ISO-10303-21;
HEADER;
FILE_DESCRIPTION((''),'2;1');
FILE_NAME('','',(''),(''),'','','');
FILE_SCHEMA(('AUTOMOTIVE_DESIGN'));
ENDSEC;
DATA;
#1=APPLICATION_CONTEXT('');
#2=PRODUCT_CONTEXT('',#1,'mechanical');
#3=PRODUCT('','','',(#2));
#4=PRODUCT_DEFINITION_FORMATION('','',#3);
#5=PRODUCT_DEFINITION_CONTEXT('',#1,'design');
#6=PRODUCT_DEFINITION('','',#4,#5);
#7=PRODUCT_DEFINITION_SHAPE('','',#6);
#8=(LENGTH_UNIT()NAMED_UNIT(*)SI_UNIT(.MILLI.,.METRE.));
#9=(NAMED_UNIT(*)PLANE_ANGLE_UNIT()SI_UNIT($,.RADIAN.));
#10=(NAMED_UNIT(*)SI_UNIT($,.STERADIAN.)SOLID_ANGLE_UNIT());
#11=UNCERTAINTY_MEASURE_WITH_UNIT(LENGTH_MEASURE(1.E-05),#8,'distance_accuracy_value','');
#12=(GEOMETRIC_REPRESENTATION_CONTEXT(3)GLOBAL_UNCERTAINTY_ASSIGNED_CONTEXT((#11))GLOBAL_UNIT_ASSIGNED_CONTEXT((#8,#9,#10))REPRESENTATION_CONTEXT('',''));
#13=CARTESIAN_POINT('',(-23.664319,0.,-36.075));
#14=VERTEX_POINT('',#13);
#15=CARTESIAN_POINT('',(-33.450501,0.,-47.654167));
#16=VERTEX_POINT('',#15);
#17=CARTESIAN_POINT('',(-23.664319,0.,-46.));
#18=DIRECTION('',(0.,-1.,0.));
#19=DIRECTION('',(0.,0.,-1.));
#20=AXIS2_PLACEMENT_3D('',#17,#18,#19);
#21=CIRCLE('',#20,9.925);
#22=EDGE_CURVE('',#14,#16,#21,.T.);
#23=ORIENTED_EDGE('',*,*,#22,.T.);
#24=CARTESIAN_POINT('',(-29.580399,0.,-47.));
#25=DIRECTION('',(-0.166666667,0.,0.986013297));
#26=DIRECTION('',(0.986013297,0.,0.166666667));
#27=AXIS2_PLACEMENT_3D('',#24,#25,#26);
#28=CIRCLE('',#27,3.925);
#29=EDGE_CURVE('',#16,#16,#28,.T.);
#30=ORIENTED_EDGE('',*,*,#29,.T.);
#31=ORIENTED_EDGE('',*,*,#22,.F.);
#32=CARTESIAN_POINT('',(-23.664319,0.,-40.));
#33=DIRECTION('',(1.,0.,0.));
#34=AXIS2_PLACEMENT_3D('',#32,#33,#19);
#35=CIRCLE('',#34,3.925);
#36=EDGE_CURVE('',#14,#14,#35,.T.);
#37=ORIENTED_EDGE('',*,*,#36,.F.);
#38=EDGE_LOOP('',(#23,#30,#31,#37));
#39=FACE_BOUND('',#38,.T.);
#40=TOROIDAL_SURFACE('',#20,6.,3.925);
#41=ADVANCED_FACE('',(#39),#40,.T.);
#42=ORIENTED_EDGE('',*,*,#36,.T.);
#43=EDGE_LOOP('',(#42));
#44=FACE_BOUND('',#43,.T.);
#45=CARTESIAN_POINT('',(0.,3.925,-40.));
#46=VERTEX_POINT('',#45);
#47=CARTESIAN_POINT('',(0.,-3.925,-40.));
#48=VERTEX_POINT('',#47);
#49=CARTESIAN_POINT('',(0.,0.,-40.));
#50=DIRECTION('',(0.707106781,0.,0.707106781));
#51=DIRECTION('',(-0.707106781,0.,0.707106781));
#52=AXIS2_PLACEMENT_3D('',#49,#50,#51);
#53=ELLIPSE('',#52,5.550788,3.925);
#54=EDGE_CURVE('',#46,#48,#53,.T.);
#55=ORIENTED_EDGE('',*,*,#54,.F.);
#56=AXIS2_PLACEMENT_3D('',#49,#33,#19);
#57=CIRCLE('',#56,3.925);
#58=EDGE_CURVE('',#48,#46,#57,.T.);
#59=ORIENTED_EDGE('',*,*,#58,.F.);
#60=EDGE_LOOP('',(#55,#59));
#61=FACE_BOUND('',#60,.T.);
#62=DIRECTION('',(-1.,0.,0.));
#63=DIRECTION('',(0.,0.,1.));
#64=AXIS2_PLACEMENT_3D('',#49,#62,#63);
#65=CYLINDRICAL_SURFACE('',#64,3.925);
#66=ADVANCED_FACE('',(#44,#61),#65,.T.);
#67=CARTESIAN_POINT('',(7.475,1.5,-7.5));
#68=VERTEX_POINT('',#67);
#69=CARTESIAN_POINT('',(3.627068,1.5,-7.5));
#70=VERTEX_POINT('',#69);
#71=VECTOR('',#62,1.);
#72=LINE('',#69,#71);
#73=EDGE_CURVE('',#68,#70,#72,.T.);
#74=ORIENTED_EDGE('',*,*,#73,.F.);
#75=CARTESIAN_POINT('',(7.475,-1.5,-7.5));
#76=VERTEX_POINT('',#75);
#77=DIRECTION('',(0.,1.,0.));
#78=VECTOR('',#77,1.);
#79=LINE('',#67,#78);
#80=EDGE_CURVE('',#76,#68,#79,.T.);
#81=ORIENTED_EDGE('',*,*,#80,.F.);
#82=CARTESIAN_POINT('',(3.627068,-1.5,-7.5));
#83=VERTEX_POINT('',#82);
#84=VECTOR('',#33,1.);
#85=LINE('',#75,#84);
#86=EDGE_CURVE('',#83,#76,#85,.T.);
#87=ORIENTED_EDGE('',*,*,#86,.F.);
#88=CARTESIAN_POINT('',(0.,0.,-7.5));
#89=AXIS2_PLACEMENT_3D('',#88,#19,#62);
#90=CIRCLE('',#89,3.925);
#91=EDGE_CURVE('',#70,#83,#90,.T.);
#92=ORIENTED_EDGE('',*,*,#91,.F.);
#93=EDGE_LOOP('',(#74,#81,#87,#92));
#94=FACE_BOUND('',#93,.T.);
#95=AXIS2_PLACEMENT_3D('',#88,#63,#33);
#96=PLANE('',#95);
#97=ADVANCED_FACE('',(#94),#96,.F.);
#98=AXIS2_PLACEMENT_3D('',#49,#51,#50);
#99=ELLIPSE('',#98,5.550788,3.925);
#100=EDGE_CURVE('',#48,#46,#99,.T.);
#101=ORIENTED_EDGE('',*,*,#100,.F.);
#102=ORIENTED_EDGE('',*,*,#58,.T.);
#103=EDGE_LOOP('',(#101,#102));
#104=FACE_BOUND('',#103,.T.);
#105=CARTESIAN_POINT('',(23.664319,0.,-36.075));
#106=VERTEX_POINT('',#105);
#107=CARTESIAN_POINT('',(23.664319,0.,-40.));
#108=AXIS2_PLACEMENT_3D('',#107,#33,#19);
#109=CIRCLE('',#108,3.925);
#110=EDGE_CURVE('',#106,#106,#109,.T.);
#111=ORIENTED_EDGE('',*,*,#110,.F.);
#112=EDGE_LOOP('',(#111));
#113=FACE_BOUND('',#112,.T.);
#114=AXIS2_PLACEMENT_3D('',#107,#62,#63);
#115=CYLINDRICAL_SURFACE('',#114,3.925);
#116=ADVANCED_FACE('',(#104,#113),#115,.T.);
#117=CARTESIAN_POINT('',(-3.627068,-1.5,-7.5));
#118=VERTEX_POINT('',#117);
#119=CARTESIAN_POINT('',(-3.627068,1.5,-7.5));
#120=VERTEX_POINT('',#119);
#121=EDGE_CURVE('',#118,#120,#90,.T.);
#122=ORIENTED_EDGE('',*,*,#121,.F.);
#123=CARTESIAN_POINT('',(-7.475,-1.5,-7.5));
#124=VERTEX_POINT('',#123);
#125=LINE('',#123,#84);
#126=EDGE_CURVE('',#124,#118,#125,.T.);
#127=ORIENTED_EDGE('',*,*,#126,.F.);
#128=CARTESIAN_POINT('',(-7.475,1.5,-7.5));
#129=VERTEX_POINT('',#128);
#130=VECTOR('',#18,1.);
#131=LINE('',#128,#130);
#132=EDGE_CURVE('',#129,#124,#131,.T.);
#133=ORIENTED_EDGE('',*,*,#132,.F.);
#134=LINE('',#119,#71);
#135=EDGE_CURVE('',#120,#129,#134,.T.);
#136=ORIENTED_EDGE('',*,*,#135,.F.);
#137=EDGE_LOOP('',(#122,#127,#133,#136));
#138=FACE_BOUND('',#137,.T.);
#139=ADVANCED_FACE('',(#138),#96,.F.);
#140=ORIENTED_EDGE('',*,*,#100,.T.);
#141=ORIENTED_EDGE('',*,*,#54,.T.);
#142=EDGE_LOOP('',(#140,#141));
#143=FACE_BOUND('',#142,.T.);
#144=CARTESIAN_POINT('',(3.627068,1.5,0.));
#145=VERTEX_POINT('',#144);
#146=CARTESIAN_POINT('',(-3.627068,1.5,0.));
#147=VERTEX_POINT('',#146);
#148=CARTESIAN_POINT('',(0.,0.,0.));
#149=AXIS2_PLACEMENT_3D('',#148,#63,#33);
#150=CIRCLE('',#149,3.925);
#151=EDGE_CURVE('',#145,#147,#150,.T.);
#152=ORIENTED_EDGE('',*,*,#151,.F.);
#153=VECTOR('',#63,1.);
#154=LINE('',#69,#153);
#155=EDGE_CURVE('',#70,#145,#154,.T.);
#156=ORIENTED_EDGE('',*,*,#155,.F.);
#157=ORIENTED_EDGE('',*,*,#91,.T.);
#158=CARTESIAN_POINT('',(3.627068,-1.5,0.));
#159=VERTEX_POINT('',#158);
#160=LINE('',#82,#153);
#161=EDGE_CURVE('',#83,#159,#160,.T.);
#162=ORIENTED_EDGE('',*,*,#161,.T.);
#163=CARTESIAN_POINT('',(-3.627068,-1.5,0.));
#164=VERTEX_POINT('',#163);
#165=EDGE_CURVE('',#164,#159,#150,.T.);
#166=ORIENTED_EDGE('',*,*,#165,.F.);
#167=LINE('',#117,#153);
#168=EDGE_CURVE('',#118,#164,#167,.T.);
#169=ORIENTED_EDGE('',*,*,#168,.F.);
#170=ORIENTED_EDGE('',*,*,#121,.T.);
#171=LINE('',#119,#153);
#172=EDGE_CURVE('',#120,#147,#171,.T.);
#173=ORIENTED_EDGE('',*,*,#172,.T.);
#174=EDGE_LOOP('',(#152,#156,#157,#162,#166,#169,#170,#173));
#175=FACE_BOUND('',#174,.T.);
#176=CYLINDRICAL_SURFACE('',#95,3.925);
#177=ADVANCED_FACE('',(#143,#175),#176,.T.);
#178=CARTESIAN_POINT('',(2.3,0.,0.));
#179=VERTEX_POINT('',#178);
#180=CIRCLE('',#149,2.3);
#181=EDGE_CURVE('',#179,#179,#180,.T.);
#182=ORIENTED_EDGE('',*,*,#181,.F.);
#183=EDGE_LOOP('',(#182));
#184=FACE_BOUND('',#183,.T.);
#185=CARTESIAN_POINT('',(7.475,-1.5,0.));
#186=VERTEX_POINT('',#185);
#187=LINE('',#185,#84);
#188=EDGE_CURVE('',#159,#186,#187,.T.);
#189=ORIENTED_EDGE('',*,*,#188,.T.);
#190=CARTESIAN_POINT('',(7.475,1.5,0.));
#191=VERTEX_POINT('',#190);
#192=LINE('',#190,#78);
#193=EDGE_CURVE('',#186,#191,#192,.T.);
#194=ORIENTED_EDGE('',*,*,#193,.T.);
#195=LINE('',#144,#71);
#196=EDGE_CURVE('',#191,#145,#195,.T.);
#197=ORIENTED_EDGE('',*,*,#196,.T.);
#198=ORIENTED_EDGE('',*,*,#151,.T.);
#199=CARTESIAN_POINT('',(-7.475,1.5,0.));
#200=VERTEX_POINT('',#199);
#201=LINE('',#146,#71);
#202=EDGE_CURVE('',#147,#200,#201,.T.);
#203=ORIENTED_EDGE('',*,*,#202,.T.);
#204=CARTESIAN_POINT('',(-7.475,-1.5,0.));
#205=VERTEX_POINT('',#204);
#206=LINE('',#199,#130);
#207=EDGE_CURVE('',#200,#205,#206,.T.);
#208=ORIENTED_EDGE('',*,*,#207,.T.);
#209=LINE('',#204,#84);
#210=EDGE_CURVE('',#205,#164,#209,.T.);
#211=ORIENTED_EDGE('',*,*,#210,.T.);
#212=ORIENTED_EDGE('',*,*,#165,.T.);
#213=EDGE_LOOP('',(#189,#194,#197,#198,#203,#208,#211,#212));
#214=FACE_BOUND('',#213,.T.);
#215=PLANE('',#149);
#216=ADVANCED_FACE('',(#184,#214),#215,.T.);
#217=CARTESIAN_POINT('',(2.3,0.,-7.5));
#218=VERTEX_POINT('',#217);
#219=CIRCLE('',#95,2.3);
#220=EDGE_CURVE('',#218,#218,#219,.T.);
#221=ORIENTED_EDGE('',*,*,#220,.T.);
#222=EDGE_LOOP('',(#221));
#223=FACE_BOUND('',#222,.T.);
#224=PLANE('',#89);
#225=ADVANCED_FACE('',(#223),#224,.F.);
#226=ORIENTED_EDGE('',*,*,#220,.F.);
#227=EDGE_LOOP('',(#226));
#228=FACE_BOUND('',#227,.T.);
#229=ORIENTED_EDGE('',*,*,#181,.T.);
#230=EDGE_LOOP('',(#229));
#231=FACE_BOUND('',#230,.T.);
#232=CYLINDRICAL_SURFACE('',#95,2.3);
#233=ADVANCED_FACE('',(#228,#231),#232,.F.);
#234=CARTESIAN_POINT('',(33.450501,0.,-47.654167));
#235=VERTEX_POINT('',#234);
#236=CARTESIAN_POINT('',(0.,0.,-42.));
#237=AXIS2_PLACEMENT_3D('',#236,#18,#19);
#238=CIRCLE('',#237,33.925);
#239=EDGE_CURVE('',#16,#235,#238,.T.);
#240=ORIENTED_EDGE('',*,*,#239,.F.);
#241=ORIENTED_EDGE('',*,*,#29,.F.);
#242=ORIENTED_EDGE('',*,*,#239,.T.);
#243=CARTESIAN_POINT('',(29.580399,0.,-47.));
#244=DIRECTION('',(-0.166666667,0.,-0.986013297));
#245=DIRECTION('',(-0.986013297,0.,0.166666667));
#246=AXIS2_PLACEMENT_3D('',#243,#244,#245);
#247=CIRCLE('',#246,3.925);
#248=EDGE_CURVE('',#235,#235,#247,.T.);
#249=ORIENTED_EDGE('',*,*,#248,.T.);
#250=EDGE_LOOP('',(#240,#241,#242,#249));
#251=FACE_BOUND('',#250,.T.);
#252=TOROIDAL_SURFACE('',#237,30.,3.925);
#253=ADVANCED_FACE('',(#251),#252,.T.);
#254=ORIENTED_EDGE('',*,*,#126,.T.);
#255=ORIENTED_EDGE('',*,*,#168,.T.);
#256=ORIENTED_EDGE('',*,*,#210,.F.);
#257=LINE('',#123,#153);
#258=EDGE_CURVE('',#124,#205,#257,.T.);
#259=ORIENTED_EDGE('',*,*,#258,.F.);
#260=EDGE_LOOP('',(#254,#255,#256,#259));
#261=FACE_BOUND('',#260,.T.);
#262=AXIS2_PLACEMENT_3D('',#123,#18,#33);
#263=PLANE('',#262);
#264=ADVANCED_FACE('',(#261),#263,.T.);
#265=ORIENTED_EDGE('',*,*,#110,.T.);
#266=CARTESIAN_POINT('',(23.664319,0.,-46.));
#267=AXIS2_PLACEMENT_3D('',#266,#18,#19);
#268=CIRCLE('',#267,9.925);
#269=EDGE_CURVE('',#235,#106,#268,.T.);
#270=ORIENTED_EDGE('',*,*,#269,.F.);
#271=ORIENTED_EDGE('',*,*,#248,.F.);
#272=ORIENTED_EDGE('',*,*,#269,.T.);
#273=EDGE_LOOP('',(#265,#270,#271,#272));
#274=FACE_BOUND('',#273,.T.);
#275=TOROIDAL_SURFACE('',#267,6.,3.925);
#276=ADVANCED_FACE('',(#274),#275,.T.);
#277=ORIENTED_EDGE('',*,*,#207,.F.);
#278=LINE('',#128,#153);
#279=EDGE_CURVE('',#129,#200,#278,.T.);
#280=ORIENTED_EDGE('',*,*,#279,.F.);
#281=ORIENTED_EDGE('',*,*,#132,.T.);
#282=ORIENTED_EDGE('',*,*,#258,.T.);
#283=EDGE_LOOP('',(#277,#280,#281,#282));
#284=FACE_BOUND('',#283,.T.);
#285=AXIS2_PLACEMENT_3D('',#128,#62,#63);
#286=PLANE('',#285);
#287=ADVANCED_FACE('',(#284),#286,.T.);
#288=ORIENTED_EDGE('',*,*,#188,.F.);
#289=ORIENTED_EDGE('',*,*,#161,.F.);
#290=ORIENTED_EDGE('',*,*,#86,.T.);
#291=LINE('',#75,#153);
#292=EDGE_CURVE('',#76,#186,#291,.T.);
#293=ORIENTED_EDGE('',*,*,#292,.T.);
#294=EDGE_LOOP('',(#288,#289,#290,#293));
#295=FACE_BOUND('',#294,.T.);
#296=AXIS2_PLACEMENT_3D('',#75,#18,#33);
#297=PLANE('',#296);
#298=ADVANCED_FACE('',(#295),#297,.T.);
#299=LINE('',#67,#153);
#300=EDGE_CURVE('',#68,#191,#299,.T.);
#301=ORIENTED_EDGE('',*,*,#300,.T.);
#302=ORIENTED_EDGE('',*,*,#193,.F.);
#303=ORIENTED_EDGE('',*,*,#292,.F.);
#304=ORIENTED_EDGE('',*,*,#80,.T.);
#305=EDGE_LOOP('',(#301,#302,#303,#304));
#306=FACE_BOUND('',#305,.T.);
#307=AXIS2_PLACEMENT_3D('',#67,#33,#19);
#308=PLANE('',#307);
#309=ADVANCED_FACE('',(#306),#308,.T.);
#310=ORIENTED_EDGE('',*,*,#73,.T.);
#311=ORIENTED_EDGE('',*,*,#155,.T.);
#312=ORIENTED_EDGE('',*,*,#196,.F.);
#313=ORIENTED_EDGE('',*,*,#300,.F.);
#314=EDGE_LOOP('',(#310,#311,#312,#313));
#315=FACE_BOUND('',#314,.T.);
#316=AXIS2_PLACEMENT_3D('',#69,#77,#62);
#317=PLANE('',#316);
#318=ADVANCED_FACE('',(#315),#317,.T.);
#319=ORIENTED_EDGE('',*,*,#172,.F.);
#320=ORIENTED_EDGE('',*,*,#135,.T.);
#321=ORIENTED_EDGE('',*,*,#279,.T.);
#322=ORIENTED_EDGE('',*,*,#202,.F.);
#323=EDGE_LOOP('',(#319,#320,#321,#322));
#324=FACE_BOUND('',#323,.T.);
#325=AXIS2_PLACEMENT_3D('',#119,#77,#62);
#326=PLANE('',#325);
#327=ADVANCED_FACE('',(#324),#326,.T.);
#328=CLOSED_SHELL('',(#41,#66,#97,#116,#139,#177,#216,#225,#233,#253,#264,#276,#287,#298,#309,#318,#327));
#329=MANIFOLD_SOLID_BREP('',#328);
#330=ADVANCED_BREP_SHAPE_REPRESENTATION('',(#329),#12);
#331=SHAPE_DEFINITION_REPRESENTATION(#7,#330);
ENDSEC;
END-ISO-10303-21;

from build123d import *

# Parameters (mm, degrees)
CROQUIS1_R              = 2.3
SALIENTE_EXTRUIR1_DEPTH = 7.5
CROQUIS4_R              = 3.925
SALIENTE_EXTRUIR3_DEPTH = 32.5
CROQUIS5_R              = 3.925


with BuildPart() as part:
    # Croquis1 → Saliente-Extruir1 (new body)
    with BuildSketch(Plane.XY):
        with BuildLine():
            Line((3.627068375, 1.5), (7.475, 1.5))
            Line((7.475, 1.5), (7.475, -1.5))
            Line((7.475, -1.5), (3.627068375, -1.5))
            ThreePointArc((3.627068375, -1.5), (0, -3.925), (-3.627068375, -1.5))
            Line((-3.627068375, -1.5), (-7.475, -1.5))
            Line((-7.475, -1.5), (-7.475, 1.5))
            Line((-7.475, 1.5), (-3.627068375, 1.5))
            ThreePointArc((-3.627068375, 1.5), (0, 3.925), (3.627068375, 1.5))
        make_face()
        Circle(CROQUIS1_R, mode=Mode.SUBTRACT)
    extrude(amount=-SALIENTE_EXTRUIR1_DEPTH)

    # Croquis4 → Saliente-Extruir3 (add)
    with BuildSketch(Plane(origin=(0, 0, -7.5), x_dir=(-1, 0, 0), z_dir=(0, 0, -1))):
        with Locations(Location((0, 0, 0), (0, 0, 202.467889888))):
            Circle(CROQUIS4_R)
    extrude(amount=SALIENTE_EXTRUIR3_DEPTH)

    # Barrer2: sweep along a path in Croquis6
    with BuildLine(Plane(origin=(0, 0, 0), x_dir=(1, 0, 0), z_dir=(0, 1, 0))) as barrer2_path:
        Line((0, 40), (23.664319132, 40))
        ThreePointArc((23.664319132, 40), (28.246894827, 42.127016654), (29.580398915, 47))
        ThreePointArc((29.580398915, 47), (0, 72), (-29.580398915, 47))
        ThreePointArc((-29.580398915, 47), (-28.246894827, 42.127016654), (-23.664319132, 40))
        Line((-23.664319132, 40), (0, 40))
    # Croquis5 → Barrer2 (sweep)
    with BuildSketch(Plane(origin=(0, 0, 0), x_dir=(0, 0, -1), z_dir=(1, 0, 0))):
        with Locations((40, 0)):
            Circle(CROQUIS5_R)
    sweep(path=barrer2_path.line)


solid = part.part
